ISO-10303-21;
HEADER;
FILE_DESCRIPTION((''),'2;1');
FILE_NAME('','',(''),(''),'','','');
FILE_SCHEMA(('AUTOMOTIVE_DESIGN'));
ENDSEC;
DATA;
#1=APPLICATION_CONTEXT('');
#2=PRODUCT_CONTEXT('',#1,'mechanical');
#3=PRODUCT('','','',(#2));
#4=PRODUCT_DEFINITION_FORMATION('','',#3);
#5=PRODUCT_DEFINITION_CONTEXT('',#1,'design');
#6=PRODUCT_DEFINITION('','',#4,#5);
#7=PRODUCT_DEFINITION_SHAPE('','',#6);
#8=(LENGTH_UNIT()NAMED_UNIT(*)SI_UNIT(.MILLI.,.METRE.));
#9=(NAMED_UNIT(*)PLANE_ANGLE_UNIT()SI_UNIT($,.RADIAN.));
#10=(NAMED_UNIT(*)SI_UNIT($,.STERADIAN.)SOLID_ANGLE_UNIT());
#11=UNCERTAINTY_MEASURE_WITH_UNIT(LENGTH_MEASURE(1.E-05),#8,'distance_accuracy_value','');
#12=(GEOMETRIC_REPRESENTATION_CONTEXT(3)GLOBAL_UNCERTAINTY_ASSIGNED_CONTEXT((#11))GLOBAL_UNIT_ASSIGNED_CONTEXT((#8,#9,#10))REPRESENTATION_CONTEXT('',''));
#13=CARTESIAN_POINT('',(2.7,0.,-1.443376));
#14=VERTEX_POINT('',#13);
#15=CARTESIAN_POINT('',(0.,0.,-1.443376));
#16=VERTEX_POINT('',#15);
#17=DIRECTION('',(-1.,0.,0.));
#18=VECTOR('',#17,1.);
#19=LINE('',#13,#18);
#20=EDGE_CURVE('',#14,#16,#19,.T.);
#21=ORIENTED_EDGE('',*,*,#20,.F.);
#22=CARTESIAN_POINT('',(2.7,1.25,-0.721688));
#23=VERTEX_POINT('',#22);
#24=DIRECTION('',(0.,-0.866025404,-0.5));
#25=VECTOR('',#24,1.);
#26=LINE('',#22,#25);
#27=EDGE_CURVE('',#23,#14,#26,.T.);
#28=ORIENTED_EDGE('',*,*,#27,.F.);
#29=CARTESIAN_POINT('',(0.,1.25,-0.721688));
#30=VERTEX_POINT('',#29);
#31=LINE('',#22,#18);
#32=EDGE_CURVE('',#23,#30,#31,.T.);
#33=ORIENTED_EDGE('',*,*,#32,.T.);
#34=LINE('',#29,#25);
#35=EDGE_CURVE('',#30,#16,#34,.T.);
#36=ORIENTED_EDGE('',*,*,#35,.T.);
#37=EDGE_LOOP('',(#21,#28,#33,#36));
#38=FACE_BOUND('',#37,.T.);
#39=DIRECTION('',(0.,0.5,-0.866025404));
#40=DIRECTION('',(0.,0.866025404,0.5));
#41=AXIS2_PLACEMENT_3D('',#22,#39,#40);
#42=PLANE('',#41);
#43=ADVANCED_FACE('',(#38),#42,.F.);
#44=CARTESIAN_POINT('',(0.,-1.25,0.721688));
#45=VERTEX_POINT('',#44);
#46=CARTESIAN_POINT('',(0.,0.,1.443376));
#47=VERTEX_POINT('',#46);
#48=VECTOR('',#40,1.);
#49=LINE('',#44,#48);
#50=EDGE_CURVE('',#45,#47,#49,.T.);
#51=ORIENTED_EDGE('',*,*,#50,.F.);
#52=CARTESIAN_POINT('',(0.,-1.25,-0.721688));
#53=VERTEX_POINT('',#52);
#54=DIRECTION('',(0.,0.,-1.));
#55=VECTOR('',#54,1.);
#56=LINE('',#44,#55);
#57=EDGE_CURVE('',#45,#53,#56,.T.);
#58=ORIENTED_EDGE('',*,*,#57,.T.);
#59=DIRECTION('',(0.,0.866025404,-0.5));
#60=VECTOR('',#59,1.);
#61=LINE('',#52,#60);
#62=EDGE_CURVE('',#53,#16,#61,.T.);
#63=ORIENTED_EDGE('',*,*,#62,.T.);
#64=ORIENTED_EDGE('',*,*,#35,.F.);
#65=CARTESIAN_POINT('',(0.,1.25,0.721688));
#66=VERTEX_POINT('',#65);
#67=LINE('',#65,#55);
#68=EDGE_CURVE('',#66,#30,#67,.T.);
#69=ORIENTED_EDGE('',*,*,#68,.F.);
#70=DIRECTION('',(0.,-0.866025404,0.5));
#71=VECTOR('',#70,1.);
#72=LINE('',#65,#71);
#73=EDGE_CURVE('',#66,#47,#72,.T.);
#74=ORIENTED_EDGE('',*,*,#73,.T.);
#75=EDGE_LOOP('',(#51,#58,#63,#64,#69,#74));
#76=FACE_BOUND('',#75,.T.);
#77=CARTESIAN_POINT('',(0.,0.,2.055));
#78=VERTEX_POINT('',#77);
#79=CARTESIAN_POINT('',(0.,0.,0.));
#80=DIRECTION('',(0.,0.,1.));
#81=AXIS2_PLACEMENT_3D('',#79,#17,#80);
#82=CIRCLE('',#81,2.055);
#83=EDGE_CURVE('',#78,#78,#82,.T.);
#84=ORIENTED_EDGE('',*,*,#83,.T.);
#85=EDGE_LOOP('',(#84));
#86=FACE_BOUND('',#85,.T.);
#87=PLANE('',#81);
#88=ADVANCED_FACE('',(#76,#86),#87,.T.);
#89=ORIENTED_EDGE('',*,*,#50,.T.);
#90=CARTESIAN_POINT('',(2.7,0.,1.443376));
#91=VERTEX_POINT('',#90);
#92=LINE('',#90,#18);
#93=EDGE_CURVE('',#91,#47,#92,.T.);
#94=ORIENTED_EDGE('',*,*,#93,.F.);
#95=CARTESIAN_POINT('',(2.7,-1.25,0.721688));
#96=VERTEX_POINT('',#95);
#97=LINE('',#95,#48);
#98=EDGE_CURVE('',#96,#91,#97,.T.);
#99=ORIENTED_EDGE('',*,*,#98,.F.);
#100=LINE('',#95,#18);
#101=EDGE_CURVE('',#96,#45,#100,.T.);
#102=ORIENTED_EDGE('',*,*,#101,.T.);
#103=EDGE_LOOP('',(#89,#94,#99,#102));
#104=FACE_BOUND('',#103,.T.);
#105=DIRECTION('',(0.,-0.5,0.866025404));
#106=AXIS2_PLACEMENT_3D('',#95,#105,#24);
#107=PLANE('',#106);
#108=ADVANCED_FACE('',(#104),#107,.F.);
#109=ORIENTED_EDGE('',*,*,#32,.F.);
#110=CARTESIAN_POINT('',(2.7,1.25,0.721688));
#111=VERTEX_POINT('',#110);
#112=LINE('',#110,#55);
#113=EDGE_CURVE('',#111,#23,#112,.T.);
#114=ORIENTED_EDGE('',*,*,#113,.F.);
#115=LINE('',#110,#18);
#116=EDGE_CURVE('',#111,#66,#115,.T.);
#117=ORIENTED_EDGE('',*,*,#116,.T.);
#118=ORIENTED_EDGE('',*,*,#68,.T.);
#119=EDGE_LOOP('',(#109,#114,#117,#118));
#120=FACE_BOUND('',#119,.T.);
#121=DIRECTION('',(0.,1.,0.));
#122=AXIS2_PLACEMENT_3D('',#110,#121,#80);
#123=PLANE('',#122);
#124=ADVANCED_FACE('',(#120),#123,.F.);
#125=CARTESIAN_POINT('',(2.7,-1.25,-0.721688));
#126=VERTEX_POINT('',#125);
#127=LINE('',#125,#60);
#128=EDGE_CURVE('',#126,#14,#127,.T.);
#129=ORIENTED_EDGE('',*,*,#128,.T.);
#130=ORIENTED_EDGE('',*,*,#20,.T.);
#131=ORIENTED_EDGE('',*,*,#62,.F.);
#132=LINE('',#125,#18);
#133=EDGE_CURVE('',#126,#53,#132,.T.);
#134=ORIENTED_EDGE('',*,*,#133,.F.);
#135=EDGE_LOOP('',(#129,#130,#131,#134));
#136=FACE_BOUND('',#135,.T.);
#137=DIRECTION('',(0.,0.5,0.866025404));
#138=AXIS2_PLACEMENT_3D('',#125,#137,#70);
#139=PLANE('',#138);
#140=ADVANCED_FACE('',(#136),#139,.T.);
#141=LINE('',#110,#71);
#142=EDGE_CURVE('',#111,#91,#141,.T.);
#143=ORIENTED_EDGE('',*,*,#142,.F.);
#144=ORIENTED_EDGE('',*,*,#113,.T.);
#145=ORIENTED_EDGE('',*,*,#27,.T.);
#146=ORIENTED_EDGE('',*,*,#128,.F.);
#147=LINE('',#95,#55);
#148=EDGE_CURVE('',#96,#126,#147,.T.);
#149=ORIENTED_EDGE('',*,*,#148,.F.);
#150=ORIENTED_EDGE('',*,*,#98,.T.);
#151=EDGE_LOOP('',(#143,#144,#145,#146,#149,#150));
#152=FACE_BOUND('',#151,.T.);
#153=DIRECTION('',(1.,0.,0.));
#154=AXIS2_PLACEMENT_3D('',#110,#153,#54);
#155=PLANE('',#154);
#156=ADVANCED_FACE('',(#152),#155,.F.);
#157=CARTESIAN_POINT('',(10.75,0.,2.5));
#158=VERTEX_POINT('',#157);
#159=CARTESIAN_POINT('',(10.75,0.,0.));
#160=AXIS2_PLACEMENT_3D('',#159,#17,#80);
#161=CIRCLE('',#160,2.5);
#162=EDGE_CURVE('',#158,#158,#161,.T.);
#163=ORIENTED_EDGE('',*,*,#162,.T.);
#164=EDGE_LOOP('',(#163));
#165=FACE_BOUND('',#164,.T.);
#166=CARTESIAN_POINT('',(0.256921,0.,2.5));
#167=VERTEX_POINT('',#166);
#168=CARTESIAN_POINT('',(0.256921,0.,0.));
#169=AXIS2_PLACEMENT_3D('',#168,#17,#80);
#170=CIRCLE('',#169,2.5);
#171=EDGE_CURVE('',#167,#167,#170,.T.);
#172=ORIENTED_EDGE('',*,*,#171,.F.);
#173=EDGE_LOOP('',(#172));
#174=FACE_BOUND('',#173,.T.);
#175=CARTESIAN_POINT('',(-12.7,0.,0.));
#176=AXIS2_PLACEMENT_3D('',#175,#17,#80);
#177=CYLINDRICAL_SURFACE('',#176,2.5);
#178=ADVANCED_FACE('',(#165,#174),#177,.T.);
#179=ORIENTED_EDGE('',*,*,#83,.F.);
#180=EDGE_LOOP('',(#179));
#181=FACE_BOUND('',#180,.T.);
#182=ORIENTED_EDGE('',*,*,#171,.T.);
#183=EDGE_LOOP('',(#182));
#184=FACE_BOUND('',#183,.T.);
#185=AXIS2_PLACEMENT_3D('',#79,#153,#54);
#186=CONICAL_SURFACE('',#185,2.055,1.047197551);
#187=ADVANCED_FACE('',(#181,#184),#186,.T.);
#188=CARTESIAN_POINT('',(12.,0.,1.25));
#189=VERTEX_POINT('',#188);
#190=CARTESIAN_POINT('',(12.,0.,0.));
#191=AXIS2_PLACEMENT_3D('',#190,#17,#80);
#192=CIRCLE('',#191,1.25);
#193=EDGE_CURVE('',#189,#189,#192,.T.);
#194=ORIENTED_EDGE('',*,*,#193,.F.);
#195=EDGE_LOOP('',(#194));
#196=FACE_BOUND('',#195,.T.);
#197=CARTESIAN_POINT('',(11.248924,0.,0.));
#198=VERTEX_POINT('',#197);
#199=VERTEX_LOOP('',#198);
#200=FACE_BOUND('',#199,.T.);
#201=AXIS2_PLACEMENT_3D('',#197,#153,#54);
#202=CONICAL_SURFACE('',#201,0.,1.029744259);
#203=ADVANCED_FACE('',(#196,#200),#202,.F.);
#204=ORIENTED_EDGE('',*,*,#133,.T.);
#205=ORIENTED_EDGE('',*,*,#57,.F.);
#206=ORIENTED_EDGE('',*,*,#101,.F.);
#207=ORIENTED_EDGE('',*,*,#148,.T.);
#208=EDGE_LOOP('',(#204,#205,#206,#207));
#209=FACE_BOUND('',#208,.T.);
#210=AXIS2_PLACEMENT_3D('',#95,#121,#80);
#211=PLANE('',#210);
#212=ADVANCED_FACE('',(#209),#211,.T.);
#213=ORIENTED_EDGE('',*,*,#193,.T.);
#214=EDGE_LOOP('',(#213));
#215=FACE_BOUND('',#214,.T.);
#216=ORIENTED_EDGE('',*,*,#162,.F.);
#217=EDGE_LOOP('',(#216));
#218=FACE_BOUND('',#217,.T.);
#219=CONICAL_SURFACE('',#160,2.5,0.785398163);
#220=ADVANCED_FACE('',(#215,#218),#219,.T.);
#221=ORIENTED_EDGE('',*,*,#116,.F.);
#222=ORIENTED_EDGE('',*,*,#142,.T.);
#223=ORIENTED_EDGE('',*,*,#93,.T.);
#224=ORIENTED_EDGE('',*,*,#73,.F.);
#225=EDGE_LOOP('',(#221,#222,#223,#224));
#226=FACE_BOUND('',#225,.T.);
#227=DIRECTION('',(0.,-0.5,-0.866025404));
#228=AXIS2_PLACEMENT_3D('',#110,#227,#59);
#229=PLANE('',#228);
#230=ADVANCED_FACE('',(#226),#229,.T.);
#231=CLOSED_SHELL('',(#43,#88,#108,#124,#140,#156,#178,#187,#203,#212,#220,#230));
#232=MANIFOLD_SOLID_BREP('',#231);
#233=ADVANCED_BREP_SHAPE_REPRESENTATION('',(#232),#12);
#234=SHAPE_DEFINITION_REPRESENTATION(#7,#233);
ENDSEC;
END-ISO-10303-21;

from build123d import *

# Parameters (mm, degrees)
HEX_2_DEPTH = 2.7


with BuildPart() as part:
    # BodySke → BaseBody (revolve)
    with BuildSketch(Plane.XY, mode=Mode.PRIVATE) as basebody_sk:
        Polygon((0, 0), (0, 2.055), (0.25692087, 2.5), (10.75, 2.5), (12, 1.25), (11.248924226, 0), align=None)
    revolve(basebody_sk.sketch.rotate(Axis((-12.7, 0, 0), (1, 0, 0)), 90), axis=Axis((-12.7, 0, 0), (1, 0, 0)))

    # Sketch2 → Hex 2 (cut)
    with BuildSketch(Plane.ZY):
        Polygon((0.721687836, 1.25), (-0.721687836, 1.25), (-1.443375673, 0), (-0.721687836, -1.25), (0.721687836, -1.25), (1.443375673, 0), align=None)
    extrude(amount=-HEX_2_DEPTH, mode=Mode.SUBTRACT)


solid = part.part
